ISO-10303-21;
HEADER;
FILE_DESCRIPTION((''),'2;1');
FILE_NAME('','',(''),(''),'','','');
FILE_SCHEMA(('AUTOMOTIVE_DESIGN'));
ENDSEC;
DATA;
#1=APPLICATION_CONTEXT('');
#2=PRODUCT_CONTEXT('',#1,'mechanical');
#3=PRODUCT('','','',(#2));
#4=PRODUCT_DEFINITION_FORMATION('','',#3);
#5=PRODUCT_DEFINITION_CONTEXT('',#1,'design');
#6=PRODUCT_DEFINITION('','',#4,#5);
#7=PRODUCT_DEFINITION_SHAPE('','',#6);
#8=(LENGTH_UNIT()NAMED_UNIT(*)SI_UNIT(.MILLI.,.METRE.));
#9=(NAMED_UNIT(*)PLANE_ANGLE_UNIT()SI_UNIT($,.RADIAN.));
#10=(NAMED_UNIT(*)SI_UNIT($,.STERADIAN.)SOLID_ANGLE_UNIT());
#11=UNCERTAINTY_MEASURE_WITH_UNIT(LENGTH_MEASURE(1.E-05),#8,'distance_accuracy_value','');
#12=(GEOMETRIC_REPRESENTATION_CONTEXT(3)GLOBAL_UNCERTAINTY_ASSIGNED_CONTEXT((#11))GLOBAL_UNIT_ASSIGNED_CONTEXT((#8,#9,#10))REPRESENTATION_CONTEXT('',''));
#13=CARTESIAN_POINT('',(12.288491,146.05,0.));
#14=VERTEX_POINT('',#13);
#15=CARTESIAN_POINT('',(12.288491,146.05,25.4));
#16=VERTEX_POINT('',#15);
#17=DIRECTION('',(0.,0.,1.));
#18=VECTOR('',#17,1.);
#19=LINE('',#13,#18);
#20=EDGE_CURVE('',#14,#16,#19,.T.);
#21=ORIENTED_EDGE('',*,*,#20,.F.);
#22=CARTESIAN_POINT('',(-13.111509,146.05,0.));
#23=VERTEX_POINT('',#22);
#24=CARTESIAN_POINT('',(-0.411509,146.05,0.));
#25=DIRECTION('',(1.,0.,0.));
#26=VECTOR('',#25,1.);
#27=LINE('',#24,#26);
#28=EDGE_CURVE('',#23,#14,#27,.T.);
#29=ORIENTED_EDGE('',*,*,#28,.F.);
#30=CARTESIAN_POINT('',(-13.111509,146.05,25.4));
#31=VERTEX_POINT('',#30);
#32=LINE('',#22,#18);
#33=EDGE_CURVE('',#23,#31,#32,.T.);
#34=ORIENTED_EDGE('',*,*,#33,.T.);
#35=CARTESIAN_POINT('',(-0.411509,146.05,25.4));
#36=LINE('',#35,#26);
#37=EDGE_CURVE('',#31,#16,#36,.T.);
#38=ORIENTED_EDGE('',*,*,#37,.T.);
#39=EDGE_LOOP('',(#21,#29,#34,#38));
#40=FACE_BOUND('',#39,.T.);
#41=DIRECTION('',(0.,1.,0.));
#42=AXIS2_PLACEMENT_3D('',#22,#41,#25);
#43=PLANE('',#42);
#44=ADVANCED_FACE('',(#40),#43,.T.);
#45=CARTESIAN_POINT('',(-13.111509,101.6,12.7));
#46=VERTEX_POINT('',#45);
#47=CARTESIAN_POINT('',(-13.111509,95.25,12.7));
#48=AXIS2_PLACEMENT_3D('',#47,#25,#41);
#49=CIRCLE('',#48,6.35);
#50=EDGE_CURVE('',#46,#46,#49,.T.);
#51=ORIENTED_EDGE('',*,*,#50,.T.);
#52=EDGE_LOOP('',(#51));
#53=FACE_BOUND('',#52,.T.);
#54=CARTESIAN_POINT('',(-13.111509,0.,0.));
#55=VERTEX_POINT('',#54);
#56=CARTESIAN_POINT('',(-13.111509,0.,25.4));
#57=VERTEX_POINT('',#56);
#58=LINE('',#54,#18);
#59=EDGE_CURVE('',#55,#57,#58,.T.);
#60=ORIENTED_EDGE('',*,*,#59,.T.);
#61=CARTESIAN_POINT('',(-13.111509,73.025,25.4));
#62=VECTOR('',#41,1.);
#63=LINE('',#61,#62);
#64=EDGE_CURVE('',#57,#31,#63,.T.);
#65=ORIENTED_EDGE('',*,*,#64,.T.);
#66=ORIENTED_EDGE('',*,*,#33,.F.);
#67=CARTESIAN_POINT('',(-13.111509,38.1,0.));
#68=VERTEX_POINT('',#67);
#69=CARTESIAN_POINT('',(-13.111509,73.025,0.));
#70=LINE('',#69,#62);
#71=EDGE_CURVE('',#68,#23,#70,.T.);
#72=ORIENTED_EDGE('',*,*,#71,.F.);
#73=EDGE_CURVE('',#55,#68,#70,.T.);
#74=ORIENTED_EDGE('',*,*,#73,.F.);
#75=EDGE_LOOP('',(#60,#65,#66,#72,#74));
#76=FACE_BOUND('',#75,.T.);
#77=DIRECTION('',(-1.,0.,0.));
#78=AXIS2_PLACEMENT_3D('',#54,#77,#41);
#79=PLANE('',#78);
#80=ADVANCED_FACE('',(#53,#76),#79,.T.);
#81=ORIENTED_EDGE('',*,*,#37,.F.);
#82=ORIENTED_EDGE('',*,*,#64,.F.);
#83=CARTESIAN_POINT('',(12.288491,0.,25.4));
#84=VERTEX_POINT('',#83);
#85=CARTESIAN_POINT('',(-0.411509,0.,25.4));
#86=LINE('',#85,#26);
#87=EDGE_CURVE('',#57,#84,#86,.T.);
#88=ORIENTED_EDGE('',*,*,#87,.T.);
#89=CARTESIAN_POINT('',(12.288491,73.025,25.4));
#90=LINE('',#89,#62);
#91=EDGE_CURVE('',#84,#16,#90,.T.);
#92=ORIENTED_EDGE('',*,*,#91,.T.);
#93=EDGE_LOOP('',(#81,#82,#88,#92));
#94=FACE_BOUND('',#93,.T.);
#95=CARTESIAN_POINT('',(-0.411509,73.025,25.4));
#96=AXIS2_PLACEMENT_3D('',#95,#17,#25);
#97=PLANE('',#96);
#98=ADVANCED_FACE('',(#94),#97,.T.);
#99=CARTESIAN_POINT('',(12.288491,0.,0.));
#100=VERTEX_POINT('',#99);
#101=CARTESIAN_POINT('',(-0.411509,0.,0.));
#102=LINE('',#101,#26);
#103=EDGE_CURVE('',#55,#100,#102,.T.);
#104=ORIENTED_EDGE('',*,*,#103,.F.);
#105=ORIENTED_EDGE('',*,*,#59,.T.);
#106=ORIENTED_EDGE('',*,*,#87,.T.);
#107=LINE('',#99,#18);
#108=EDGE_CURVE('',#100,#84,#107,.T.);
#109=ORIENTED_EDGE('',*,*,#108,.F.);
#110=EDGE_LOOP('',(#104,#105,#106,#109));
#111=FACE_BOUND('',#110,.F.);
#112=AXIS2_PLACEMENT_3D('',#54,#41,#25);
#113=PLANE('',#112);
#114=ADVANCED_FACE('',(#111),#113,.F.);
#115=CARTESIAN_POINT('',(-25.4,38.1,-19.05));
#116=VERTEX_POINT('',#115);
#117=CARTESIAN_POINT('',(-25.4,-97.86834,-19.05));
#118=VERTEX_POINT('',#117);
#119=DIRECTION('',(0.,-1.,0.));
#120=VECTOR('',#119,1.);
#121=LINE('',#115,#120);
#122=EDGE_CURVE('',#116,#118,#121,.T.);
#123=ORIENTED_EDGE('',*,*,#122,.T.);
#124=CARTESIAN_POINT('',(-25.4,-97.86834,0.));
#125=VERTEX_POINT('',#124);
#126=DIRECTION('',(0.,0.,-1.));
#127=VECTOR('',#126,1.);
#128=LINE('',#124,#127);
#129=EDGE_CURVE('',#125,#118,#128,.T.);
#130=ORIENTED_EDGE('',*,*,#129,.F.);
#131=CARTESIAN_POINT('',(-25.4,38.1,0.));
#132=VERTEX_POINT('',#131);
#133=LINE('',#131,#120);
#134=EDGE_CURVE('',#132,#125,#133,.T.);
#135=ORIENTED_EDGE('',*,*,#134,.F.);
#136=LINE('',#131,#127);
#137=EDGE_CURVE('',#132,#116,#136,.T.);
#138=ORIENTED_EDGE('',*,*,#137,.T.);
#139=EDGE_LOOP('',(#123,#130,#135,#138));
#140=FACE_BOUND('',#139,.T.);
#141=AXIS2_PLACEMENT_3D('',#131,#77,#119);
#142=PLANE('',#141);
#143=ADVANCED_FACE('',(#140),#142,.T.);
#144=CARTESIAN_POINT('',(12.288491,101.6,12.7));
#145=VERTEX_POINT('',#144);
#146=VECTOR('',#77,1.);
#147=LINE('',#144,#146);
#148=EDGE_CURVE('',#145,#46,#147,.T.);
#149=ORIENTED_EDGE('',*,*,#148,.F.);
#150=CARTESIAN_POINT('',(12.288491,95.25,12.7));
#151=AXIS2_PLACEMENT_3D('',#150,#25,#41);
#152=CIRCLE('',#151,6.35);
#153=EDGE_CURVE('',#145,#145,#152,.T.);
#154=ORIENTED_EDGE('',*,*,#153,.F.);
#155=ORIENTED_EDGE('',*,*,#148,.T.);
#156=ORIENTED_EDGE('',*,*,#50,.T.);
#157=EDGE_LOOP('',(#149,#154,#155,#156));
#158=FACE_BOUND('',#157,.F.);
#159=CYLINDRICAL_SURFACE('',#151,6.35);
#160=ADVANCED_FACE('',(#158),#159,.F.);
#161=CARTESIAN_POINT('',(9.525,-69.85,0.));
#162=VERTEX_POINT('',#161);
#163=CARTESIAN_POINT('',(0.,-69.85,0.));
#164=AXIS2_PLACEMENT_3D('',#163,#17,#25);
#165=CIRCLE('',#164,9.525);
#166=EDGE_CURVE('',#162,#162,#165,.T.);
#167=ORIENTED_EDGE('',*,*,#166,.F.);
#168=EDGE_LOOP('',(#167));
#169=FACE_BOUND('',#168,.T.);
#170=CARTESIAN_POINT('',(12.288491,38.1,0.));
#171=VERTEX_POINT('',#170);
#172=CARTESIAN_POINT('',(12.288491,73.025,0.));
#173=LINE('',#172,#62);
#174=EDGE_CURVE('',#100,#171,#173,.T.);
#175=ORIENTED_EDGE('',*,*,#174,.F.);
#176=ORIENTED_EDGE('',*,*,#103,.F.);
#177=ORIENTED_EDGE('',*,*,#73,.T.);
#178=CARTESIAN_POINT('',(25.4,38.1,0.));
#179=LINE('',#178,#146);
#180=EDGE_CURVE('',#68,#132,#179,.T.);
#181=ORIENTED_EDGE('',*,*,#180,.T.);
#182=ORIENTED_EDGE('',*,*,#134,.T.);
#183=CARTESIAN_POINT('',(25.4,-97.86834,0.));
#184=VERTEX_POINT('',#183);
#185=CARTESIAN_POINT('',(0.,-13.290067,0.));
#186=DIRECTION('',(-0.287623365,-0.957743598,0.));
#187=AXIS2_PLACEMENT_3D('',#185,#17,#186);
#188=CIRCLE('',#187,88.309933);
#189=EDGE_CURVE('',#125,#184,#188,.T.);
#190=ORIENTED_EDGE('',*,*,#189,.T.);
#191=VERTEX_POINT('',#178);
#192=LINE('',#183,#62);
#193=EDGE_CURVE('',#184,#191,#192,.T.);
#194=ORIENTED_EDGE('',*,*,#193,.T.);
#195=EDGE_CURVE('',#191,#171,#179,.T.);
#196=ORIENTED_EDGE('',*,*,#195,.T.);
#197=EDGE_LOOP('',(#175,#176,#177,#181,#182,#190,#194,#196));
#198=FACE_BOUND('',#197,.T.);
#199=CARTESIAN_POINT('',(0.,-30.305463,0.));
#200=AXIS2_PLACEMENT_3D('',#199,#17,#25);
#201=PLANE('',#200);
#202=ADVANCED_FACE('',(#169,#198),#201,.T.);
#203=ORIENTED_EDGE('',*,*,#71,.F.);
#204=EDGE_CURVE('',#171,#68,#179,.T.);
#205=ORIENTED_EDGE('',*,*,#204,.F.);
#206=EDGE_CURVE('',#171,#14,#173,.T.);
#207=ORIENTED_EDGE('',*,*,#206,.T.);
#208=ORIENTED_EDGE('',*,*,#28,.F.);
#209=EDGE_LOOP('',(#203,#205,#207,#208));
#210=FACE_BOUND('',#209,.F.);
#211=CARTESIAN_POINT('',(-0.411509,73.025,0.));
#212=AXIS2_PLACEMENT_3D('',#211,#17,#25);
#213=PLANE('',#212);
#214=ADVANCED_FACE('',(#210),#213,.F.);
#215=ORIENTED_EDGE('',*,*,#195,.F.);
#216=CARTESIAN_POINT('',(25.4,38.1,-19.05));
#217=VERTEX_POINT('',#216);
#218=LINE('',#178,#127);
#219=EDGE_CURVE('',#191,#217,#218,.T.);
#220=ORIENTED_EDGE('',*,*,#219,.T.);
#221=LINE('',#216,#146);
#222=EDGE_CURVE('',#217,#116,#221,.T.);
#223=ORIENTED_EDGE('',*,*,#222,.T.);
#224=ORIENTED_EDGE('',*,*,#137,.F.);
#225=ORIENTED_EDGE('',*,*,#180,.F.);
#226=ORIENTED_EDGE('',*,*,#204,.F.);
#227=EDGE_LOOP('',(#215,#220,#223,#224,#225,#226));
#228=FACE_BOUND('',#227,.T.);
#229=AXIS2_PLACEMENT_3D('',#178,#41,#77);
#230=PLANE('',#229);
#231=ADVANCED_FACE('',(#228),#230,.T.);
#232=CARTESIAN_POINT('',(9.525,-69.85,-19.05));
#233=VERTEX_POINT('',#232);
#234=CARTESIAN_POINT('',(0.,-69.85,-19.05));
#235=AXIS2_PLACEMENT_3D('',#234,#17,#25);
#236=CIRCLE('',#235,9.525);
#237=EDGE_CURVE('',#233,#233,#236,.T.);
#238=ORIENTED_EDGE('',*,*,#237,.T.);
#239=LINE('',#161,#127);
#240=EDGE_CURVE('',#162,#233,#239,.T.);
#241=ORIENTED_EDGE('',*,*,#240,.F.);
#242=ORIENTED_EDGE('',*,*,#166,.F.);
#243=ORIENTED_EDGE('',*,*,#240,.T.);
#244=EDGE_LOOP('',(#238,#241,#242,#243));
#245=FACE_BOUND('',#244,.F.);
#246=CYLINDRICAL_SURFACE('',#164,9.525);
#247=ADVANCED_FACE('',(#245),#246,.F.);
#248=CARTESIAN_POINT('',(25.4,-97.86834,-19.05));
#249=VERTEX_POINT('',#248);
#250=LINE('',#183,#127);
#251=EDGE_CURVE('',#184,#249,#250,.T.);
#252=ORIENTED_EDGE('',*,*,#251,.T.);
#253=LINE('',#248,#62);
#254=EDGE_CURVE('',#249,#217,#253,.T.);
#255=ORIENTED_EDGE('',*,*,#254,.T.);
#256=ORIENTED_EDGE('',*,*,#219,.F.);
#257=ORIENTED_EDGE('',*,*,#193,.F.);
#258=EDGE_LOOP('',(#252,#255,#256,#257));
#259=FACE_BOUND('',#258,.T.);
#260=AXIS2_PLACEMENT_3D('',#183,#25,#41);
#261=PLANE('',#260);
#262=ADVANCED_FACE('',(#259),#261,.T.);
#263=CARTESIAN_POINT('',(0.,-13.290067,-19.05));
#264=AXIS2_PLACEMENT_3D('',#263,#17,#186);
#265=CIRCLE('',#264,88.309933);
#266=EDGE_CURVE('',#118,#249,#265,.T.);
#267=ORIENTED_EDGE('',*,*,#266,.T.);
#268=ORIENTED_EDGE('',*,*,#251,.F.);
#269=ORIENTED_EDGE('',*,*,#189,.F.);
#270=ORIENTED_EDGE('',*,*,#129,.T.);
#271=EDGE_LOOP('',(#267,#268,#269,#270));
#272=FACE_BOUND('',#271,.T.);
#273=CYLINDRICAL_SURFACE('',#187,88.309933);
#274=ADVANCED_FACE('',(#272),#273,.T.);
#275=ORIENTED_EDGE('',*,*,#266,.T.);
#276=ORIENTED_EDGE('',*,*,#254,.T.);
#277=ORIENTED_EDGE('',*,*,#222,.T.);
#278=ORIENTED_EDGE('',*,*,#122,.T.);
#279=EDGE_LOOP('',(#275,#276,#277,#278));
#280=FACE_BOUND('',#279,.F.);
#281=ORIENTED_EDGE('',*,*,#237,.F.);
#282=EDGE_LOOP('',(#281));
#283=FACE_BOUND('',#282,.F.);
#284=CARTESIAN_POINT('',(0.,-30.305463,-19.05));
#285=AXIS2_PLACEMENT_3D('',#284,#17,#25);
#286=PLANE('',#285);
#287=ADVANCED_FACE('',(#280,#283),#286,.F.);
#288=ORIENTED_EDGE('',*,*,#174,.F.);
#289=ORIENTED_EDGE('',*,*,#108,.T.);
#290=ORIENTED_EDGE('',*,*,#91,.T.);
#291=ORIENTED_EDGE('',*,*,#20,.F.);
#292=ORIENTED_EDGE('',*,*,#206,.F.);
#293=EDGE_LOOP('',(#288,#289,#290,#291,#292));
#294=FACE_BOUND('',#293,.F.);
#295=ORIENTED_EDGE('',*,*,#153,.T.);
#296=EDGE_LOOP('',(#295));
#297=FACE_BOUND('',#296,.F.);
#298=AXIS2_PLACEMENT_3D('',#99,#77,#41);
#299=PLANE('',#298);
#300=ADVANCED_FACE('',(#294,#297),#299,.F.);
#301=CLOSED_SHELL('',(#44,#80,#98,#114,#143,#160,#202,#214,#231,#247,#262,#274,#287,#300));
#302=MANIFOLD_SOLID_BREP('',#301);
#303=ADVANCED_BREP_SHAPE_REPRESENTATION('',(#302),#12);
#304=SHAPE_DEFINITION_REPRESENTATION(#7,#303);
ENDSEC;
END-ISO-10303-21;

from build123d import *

# Parameters (mm, degrees)
F0_W     = 25.4
F0_H     = 146.05
F1_DEPTH = 25.4
F3_DEPTH = 19.05
F4_R     = 6.35
F5_DEPTH = 37.689491
F6_R     = 9.525
F7_DEPTH = 25.4


with BuildPart() as f1:
    # F0 (on Top) → F1 (new body)
    with BuildSketch(Plane.XY):
        with Locations((-0.411509, 73.025)):
            Rectangle(F0_W, F0_H)
    extrude(amount=F1_DEPTH)

    # F2 (on Top) → F3 (join)
    with BuildSketch(Plane.XY):
        with BuildLine():
            Line((25.4, 38.1), (0, 38.1))
            Line((0, 38.1), (-25.4, 38.1))
            Line((-25.4, 38.1), (-25.4, -97.86834))
            ThreePointArc((-25.4, -97.86834), (0, -101.6), (25.4, -97.86834))
            Line((25.4, -97.86834), (25.4, 38.1))
        make_face()
    extrude(amount=-F3_DEPTH)

    # F4 (on face) → F5 (cut, through all)
    with BuildSketch(Plane.YZ.offset(12.288491)):
        with Locations((95.25, 12.7)):
            Circle(F4_R)
    extrude(amount=-F5_DEPTH, mode=Mode.SUBTRACT)

    # F6 (on face) → F7 (cut)
    with BuildSketch(Plane.XY):
        with Locations((0, -69.85)):
            Circle(F6_R)
    extrude(amount=-F7_DEPTH, mode=Mode.SUBTRACT)


solid = f1.part
